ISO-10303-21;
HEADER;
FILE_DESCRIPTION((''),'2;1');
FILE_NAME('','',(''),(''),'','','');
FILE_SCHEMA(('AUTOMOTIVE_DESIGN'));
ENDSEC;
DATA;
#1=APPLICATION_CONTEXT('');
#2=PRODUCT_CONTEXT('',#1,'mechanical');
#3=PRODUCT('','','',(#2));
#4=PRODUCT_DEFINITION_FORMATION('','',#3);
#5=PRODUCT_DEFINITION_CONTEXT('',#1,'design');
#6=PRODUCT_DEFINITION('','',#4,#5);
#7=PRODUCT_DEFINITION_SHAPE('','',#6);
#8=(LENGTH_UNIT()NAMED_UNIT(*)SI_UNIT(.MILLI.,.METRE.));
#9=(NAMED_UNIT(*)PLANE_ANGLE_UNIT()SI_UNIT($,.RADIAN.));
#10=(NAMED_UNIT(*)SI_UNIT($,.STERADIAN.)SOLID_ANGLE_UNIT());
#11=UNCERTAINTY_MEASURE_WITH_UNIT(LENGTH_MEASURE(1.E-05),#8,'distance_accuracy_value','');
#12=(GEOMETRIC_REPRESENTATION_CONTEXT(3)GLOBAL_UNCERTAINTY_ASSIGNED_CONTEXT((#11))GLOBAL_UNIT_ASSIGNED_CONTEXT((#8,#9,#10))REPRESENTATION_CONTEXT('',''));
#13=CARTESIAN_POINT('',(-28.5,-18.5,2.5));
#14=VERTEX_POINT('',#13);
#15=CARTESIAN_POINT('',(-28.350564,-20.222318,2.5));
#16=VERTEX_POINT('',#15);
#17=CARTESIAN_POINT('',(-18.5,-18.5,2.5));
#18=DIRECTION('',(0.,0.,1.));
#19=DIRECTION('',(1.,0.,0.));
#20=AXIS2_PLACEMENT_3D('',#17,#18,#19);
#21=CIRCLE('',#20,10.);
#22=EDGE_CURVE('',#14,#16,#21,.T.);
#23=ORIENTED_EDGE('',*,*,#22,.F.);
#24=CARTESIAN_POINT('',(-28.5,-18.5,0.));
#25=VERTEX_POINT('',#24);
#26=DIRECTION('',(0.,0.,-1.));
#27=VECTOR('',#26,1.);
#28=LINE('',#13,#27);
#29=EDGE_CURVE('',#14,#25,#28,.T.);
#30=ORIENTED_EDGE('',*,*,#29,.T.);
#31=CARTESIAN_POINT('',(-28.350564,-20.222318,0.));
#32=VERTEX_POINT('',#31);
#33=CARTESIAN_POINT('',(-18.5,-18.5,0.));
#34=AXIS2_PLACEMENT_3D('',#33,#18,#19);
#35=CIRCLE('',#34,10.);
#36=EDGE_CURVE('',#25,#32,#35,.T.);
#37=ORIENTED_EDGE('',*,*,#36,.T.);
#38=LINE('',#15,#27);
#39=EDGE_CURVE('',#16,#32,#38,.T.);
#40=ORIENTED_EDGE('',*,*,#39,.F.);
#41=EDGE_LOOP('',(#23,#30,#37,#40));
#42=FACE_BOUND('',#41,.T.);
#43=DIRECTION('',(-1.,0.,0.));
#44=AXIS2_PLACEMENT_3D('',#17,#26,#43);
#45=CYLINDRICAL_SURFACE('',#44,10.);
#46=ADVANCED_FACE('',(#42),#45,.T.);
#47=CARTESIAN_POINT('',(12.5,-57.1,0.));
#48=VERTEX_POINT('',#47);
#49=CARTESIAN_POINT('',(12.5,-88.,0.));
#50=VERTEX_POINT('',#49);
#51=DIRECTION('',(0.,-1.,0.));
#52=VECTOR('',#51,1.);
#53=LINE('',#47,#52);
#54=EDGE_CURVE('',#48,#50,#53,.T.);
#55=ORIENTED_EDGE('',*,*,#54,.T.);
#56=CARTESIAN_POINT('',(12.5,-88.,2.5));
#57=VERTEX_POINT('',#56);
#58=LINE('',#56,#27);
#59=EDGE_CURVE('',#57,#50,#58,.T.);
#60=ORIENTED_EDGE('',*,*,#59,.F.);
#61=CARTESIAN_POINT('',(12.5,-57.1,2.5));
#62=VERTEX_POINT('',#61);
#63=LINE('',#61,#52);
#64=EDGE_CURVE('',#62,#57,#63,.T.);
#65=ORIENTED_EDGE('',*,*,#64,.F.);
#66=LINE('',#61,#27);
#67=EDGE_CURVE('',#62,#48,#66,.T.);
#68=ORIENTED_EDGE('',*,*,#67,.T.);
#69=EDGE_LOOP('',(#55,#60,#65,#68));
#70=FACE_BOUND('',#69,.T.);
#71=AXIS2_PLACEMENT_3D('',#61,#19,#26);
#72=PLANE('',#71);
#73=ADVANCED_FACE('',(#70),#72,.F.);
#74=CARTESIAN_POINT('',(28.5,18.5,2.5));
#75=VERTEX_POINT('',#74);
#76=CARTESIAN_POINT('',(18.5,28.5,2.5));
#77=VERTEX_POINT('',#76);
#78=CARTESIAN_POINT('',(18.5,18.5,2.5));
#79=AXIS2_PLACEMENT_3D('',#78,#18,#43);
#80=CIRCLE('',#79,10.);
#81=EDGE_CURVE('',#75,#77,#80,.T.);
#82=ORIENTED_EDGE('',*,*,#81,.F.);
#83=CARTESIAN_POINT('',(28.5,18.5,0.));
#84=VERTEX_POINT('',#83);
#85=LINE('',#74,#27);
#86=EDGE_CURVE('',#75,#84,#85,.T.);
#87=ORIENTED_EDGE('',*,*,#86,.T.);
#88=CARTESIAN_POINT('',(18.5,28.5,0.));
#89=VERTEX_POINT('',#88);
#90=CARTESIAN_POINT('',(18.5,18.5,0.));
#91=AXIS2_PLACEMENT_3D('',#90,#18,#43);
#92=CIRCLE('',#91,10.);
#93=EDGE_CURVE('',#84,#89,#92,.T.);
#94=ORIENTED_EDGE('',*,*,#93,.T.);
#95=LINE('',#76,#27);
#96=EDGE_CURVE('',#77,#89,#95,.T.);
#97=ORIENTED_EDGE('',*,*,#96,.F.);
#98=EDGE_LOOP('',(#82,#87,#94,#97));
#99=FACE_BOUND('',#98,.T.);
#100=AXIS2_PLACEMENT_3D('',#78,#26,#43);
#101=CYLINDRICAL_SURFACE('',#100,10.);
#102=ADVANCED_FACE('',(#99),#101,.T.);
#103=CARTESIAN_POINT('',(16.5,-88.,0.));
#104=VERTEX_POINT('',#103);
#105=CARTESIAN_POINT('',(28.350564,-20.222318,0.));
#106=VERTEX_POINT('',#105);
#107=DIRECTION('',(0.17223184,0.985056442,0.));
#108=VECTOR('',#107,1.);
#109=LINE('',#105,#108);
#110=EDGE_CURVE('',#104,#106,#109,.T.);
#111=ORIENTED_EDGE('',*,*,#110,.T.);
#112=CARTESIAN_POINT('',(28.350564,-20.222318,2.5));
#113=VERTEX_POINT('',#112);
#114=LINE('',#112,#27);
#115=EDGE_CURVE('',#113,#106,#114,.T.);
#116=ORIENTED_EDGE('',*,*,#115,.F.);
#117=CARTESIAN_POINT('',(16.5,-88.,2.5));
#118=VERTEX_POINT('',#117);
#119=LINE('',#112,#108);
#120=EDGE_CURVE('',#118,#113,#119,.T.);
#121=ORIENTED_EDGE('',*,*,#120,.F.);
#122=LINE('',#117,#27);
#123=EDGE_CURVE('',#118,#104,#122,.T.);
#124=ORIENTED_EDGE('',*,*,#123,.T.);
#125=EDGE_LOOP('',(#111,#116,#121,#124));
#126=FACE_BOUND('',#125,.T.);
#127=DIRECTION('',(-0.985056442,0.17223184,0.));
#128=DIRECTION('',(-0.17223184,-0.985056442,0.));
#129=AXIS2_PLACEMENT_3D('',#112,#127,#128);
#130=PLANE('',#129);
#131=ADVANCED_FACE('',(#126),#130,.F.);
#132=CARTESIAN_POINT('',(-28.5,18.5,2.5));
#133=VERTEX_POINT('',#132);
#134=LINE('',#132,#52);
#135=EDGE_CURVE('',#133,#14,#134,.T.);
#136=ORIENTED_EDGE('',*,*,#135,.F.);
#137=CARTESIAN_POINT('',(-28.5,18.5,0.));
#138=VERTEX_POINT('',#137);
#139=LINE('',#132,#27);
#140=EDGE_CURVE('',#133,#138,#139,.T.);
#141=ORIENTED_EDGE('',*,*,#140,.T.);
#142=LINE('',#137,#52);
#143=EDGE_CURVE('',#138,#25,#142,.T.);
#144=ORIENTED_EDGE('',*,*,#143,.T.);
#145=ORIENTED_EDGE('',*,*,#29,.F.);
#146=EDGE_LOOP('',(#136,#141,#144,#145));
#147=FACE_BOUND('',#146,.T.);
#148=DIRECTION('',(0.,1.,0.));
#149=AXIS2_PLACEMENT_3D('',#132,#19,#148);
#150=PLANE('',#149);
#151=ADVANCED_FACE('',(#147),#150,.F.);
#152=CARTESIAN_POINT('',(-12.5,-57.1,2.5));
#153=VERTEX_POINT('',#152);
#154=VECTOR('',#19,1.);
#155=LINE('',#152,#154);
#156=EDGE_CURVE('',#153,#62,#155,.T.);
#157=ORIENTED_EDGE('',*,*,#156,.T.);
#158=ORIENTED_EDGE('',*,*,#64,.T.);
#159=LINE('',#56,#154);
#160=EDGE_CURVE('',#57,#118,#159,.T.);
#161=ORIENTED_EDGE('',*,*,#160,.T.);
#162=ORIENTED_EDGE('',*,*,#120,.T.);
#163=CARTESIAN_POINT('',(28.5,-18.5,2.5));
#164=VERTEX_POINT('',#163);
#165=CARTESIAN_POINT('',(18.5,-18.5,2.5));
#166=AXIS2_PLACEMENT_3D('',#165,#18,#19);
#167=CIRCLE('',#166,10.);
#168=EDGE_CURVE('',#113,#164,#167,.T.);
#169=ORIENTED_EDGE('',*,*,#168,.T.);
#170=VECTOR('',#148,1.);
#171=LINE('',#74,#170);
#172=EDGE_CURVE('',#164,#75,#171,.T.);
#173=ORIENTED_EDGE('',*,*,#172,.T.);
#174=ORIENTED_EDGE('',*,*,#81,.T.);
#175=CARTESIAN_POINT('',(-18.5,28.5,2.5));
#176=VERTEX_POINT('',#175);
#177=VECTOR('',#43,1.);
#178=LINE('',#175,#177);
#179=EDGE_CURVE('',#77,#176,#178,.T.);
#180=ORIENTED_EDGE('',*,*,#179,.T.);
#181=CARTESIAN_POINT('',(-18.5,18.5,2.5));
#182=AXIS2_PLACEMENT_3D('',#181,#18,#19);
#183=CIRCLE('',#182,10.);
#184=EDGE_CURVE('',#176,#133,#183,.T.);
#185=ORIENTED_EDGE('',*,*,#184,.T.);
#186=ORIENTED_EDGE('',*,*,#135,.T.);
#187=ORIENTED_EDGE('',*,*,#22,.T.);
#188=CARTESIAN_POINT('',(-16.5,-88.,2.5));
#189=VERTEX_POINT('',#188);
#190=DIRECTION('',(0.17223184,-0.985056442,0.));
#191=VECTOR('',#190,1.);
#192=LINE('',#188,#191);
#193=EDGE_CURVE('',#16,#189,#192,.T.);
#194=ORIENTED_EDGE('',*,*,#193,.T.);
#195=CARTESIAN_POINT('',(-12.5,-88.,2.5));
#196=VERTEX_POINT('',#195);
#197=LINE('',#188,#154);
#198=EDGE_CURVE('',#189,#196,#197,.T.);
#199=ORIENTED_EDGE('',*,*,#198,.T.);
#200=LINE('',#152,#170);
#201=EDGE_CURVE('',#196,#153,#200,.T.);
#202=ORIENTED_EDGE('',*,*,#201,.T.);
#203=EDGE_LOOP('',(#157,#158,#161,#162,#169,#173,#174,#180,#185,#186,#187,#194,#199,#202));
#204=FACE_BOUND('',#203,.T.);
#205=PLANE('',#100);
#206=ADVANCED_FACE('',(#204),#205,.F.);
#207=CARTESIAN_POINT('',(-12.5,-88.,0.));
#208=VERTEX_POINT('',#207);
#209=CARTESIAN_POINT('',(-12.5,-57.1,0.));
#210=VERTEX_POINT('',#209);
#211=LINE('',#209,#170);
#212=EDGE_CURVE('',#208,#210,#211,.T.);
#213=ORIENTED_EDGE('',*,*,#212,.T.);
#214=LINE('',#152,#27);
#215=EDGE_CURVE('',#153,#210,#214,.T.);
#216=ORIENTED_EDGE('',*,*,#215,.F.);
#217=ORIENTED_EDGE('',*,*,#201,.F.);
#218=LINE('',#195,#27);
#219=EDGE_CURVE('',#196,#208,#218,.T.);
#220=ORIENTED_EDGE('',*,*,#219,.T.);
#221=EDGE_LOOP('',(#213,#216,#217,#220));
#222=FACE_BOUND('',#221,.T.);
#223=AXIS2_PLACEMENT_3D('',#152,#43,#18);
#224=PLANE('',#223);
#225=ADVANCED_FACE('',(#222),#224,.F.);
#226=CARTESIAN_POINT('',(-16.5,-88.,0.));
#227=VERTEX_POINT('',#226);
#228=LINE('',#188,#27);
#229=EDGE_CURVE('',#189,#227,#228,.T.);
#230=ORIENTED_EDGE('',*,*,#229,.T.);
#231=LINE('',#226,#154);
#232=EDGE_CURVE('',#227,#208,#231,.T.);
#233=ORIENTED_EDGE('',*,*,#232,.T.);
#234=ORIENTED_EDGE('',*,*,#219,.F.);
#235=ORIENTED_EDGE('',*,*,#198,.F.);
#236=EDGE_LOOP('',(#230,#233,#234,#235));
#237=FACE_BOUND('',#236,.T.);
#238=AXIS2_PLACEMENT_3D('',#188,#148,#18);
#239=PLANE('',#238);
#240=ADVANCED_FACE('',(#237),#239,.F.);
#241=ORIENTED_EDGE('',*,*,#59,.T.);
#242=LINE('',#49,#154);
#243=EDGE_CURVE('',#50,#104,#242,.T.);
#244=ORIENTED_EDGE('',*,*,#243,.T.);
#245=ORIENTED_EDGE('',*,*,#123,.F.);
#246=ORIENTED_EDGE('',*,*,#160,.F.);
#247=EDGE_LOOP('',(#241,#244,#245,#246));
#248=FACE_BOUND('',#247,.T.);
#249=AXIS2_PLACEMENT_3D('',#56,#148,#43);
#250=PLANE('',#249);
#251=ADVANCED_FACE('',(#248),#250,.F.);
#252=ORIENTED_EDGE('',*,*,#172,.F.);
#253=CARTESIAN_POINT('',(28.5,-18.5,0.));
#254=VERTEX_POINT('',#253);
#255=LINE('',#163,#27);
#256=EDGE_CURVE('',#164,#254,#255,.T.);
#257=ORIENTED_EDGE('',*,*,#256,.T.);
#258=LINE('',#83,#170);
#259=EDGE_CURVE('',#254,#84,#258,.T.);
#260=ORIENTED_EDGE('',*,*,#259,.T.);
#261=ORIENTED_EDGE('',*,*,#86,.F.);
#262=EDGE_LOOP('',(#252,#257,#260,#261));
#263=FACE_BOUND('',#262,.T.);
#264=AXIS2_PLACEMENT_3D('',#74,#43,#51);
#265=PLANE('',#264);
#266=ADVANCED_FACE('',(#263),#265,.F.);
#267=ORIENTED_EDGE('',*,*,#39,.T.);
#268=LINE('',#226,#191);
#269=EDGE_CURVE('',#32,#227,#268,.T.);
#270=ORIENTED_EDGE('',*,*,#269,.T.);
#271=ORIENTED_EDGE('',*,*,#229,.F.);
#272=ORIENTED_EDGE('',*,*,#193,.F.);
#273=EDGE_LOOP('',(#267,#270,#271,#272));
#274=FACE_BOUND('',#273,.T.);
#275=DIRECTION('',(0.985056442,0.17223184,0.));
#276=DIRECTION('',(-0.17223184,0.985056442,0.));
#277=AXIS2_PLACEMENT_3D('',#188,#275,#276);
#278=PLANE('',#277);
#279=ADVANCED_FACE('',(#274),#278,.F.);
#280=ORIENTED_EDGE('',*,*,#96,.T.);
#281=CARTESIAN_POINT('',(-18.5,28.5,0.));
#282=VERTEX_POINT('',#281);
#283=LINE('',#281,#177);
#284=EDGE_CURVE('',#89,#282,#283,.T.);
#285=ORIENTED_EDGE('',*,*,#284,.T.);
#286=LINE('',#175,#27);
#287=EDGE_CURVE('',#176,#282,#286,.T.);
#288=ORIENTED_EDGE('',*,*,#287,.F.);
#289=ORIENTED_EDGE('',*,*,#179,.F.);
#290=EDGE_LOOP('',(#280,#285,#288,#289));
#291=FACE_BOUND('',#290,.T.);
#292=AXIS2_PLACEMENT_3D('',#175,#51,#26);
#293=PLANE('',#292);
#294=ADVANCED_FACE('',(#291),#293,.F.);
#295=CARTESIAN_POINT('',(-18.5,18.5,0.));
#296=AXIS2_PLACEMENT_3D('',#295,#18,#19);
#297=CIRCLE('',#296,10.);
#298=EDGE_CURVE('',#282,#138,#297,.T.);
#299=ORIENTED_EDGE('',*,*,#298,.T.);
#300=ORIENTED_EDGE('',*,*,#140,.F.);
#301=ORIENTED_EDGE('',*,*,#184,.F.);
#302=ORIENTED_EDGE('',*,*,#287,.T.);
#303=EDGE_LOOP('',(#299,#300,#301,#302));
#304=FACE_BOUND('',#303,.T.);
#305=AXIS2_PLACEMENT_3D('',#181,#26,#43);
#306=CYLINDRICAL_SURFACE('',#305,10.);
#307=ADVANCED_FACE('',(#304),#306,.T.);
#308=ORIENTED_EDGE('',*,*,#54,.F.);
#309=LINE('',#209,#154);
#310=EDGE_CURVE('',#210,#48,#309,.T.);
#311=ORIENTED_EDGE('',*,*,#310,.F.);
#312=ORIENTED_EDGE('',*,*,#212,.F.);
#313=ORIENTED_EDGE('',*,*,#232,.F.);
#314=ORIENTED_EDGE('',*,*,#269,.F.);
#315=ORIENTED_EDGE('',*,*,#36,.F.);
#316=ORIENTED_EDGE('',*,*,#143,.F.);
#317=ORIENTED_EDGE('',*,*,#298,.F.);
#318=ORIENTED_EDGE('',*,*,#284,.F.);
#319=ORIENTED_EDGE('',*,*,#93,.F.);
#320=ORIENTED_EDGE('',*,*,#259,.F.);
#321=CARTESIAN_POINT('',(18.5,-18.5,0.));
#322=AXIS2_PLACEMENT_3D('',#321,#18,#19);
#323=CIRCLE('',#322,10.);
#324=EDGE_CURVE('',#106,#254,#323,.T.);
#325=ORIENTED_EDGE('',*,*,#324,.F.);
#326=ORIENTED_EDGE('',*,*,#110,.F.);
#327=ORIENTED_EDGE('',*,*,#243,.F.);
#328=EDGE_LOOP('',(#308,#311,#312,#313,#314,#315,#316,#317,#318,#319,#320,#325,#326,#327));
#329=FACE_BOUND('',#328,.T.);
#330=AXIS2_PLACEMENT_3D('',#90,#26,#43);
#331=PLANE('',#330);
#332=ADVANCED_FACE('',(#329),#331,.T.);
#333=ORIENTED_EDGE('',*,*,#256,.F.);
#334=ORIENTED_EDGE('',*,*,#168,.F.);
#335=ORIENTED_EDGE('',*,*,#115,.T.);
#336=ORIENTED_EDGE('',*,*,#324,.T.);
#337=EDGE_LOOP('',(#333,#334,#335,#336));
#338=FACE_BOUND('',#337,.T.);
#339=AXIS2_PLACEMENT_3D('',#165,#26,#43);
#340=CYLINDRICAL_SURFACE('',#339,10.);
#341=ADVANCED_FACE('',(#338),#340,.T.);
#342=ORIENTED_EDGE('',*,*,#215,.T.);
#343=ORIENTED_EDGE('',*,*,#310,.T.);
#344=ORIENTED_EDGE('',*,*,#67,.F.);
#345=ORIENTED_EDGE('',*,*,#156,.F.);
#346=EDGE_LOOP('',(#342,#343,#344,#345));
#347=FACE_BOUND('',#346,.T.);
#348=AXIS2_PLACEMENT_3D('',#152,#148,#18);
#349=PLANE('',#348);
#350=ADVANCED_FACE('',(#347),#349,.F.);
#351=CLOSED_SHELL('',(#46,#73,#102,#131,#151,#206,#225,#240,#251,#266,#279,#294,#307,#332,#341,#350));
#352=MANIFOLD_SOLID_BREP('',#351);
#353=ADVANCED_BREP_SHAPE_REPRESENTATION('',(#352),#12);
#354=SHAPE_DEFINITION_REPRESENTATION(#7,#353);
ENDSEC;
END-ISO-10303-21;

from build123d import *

# Parameters (mm, degrees)
SALIENTE_EXTRUIR1_DEPTH = 2.5


with BuildPart() as part:
    # Croquis1 → Saliente-Extruir1 (new body)
    with BuildSketch(Plane.XY):
        with BuildLine():
            Line((-16.5, -88), (-12.5, -88))
            Line((-12.5, -88), (-12.5, -57.1))
            Line((-12.5, -57.1), (12.5, -57.1))
            Line((12.5, -57.1), (12.5, -88))
            Line((12.5, -88), (16.5, -88))
            Line((16.5, -88), (28.350564417, -20.2223184))
            ThreePointArc((28.350564417, -20.2223184), (28.462571058, -19.364394538), (28.5, -18.5))
            Line((28.5, -18.5), (28.5, 18.5))
            ThreePointArc((28.5, 18.5), (25.571067812, 25.571067812), (18.5, 28.5))
            Line((18.5, 28.5), (-18.5, 28.5))
            ThreePointArc((-18.5, 28.5), (-25.571067812, 25.571067812), (-28.5, 18.5))
            Line((-28.5, 18.5), (-28.5, -18.5))
            ThreePointArc((-28.5, -18.5), (-28.462571058, -19.364394538), (-28.350564417, -20.2223184))
            Line((-28.350564417, -20.2223184), (-16.5, -88))
        make_face()
    extrude(amount=SALIENTE_EXTRUIR1_DEPTH)


solid = part.part
